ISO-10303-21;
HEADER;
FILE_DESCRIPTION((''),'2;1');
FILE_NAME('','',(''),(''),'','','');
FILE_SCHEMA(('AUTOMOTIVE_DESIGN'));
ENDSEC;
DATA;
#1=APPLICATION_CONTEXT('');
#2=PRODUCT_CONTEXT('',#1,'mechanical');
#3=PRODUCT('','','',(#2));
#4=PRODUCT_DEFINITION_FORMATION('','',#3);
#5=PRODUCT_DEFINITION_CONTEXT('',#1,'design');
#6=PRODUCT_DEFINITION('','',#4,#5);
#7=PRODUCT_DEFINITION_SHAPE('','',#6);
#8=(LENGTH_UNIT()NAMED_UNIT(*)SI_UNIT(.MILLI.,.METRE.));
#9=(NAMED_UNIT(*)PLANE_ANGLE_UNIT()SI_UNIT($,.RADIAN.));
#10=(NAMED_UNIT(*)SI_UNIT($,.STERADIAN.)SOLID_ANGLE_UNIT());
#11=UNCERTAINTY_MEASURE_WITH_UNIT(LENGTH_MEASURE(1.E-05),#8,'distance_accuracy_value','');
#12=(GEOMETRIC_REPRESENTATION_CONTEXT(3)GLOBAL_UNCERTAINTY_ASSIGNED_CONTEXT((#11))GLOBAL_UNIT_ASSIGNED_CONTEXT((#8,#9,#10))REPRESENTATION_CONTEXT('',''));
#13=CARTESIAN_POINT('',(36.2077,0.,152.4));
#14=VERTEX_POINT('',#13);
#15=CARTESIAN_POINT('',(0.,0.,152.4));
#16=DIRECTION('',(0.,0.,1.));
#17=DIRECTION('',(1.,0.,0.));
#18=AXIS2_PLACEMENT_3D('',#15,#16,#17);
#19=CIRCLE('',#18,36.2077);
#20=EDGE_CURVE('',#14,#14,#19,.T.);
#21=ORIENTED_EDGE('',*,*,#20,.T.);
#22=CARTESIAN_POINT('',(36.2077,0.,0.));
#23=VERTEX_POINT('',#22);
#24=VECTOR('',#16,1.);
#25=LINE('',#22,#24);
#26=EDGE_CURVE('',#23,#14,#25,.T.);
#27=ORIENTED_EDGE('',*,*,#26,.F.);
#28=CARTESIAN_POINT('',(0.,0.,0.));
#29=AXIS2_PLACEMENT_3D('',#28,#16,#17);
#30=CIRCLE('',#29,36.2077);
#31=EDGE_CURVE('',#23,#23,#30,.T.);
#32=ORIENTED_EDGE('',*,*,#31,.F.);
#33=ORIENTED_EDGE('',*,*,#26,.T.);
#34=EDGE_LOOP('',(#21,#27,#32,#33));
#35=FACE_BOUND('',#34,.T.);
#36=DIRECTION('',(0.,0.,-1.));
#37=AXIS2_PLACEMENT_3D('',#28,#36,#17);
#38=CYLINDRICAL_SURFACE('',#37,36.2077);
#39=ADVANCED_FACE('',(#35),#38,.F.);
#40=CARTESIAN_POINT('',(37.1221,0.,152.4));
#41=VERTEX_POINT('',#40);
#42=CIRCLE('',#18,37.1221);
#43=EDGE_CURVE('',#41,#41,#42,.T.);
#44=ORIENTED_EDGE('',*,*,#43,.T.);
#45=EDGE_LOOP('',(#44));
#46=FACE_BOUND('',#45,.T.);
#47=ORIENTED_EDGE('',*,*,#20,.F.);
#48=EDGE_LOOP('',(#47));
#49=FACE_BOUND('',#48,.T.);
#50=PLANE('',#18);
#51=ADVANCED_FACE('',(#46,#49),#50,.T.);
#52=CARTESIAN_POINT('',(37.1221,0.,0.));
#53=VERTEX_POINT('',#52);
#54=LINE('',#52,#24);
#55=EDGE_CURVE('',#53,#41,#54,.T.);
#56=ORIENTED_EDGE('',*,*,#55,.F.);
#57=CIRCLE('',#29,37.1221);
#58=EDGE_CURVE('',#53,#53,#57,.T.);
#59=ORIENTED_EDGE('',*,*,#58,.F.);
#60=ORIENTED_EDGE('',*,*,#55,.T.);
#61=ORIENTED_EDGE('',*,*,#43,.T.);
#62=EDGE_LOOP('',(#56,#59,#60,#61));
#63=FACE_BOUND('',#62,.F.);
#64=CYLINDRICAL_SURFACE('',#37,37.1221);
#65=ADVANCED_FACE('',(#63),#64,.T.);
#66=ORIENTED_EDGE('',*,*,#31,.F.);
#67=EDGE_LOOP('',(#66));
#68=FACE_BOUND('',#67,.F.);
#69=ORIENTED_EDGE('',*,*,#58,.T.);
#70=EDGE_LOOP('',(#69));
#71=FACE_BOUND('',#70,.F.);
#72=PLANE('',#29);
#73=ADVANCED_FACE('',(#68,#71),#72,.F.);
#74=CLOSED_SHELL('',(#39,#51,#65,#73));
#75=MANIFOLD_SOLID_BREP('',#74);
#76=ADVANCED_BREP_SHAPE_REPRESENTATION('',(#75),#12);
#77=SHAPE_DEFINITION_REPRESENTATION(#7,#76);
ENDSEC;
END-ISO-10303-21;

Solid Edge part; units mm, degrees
sketch "Sketch1" plane through (0, 0, 0) normal (0, 0, 1) x (1, 0, 0)
  circle A0 centre (0, 0) radius 37.1221
  circle A1 centre (0, 0) radius 36.2077
  dimension "D1" = 74.2442
  dimension "D2" = 72.4154
extrude "Protrusion1" add sketch "Sketch1" along normal blind 152.4
